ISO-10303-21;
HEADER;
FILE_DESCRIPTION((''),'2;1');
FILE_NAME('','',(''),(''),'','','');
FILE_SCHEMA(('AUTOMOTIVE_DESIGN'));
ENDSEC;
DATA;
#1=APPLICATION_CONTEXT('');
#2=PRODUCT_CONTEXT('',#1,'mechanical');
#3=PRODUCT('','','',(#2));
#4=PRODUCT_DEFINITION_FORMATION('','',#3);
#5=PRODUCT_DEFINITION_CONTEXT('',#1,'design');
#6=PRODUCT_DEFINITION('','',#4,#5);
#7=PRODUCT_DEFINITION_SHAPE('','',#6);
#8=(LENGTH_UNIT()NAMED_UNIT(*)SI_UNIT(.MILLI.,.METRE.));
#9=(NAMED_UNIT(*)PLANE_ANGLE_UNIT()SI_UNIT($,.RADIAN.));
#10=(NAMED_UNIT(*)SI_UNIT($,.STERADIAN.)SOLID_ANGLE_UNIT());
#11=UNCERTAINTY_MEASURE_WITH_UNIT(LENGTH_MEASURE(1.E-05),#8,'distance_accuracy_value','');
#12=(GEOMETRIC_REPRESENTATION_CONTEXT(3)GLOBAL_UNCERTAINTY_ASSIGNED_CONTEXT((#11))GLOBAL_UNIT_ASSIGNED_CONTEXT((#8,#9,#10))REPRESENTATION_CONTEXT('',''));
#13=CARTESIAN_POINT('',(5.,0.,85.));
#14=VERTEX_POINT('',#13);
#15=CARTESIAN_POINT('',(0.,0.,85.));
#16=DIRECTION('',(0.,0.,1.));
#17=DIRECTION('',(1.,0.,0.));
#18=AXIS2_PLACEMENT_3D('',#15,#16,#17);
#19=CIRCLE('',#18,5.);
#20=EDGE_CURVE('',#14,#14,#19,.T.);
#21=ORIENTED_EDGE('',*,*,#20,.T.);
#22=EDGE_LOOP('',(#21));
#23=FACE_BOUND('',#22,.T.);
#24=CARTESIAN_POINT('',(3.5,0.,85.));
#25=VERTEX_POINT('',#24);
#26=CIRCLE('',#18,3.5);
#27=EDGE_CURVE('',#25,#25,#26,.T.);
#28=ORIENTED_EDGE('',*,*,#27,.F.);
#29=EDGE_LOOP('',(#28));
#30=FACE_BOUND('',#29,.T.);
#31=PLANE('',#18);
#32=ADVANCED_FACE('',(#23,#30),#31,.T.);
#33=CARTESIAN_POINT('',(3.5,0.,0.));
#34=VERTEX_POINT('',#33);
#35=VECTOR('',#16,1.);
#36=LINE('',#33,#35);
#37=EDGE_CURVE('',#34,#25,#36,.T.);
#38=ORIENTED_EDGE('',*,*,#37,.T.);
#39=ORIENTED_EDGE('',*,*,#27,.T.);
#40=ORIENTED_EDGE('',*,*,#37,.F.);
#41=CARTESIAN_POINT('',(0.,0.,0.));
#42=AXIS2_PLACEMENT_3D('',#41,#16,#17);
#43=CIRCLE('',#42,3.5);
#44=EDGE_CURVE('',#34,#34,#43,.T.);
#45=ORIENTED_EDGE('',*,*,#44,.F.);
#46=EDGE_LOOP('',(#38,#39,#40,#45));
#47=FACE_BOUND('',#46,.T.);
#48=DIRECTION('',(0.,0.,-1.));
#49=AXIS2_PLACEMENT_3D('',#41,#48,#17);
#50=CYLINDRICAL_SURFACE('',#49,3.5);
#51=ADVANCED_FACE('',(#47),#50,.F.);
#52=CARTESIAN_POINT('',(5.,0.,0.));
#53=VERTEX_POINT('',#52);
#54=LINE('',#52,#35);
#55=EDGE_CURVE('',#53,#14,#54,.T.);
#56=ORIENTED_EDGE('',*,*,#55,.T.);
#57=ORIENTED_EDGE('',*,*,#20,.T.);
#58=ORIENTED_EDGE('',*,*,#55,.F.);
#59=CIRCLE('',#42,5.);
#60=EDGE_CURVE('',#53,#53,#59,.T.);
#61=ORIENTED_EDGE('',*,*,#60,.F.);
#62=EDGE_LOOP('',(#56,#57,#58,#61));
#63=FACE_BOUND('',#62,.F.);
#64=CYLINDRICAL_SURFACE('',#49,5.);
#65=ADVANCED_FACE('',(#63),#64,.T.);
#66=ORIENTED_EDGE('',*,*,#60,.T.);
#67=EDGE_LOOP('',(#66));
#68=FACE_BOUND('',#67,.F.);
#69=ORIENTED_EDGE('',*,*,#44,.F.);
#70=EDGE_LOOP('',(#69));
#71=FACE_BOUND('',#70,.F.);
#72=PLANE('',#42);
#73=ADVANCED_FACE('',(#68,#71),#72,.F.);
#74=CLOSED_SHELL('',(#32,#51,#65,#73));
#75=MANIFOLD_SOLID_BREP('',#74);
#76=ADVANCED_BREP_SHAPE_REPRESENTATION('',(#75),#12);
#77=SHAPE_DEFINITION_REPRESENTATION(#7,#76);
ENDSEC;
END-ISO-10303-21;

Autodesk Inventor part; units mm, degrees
ref_plane "YZ Plane" through (0, 0, 0) normal (1, 0, 0) x (0, 1, 0)
ref_plane "XZ Plane" through (0, 0, 0) normal (0, 1, 0) x (-1, 0, 0)
ref_plane "XY Plane" through (0, 0, 0) normal (0, 0, 1) x (1, 0, 0)
sketch "Sketch1" plane through (0, 0, 0) normal (0, 0, 1) x (1, 0, 0)
  circle A0 centre (0, 0) radius 3.5
  circle A1 centre (0, 0) radius 5
  dimension "d0" = 7
  dimension "d1" = 10
extrude "Extrusion1" add sketch "Sketch1" along normal blind 85
properties part number "shaft rod" material "Lead"
